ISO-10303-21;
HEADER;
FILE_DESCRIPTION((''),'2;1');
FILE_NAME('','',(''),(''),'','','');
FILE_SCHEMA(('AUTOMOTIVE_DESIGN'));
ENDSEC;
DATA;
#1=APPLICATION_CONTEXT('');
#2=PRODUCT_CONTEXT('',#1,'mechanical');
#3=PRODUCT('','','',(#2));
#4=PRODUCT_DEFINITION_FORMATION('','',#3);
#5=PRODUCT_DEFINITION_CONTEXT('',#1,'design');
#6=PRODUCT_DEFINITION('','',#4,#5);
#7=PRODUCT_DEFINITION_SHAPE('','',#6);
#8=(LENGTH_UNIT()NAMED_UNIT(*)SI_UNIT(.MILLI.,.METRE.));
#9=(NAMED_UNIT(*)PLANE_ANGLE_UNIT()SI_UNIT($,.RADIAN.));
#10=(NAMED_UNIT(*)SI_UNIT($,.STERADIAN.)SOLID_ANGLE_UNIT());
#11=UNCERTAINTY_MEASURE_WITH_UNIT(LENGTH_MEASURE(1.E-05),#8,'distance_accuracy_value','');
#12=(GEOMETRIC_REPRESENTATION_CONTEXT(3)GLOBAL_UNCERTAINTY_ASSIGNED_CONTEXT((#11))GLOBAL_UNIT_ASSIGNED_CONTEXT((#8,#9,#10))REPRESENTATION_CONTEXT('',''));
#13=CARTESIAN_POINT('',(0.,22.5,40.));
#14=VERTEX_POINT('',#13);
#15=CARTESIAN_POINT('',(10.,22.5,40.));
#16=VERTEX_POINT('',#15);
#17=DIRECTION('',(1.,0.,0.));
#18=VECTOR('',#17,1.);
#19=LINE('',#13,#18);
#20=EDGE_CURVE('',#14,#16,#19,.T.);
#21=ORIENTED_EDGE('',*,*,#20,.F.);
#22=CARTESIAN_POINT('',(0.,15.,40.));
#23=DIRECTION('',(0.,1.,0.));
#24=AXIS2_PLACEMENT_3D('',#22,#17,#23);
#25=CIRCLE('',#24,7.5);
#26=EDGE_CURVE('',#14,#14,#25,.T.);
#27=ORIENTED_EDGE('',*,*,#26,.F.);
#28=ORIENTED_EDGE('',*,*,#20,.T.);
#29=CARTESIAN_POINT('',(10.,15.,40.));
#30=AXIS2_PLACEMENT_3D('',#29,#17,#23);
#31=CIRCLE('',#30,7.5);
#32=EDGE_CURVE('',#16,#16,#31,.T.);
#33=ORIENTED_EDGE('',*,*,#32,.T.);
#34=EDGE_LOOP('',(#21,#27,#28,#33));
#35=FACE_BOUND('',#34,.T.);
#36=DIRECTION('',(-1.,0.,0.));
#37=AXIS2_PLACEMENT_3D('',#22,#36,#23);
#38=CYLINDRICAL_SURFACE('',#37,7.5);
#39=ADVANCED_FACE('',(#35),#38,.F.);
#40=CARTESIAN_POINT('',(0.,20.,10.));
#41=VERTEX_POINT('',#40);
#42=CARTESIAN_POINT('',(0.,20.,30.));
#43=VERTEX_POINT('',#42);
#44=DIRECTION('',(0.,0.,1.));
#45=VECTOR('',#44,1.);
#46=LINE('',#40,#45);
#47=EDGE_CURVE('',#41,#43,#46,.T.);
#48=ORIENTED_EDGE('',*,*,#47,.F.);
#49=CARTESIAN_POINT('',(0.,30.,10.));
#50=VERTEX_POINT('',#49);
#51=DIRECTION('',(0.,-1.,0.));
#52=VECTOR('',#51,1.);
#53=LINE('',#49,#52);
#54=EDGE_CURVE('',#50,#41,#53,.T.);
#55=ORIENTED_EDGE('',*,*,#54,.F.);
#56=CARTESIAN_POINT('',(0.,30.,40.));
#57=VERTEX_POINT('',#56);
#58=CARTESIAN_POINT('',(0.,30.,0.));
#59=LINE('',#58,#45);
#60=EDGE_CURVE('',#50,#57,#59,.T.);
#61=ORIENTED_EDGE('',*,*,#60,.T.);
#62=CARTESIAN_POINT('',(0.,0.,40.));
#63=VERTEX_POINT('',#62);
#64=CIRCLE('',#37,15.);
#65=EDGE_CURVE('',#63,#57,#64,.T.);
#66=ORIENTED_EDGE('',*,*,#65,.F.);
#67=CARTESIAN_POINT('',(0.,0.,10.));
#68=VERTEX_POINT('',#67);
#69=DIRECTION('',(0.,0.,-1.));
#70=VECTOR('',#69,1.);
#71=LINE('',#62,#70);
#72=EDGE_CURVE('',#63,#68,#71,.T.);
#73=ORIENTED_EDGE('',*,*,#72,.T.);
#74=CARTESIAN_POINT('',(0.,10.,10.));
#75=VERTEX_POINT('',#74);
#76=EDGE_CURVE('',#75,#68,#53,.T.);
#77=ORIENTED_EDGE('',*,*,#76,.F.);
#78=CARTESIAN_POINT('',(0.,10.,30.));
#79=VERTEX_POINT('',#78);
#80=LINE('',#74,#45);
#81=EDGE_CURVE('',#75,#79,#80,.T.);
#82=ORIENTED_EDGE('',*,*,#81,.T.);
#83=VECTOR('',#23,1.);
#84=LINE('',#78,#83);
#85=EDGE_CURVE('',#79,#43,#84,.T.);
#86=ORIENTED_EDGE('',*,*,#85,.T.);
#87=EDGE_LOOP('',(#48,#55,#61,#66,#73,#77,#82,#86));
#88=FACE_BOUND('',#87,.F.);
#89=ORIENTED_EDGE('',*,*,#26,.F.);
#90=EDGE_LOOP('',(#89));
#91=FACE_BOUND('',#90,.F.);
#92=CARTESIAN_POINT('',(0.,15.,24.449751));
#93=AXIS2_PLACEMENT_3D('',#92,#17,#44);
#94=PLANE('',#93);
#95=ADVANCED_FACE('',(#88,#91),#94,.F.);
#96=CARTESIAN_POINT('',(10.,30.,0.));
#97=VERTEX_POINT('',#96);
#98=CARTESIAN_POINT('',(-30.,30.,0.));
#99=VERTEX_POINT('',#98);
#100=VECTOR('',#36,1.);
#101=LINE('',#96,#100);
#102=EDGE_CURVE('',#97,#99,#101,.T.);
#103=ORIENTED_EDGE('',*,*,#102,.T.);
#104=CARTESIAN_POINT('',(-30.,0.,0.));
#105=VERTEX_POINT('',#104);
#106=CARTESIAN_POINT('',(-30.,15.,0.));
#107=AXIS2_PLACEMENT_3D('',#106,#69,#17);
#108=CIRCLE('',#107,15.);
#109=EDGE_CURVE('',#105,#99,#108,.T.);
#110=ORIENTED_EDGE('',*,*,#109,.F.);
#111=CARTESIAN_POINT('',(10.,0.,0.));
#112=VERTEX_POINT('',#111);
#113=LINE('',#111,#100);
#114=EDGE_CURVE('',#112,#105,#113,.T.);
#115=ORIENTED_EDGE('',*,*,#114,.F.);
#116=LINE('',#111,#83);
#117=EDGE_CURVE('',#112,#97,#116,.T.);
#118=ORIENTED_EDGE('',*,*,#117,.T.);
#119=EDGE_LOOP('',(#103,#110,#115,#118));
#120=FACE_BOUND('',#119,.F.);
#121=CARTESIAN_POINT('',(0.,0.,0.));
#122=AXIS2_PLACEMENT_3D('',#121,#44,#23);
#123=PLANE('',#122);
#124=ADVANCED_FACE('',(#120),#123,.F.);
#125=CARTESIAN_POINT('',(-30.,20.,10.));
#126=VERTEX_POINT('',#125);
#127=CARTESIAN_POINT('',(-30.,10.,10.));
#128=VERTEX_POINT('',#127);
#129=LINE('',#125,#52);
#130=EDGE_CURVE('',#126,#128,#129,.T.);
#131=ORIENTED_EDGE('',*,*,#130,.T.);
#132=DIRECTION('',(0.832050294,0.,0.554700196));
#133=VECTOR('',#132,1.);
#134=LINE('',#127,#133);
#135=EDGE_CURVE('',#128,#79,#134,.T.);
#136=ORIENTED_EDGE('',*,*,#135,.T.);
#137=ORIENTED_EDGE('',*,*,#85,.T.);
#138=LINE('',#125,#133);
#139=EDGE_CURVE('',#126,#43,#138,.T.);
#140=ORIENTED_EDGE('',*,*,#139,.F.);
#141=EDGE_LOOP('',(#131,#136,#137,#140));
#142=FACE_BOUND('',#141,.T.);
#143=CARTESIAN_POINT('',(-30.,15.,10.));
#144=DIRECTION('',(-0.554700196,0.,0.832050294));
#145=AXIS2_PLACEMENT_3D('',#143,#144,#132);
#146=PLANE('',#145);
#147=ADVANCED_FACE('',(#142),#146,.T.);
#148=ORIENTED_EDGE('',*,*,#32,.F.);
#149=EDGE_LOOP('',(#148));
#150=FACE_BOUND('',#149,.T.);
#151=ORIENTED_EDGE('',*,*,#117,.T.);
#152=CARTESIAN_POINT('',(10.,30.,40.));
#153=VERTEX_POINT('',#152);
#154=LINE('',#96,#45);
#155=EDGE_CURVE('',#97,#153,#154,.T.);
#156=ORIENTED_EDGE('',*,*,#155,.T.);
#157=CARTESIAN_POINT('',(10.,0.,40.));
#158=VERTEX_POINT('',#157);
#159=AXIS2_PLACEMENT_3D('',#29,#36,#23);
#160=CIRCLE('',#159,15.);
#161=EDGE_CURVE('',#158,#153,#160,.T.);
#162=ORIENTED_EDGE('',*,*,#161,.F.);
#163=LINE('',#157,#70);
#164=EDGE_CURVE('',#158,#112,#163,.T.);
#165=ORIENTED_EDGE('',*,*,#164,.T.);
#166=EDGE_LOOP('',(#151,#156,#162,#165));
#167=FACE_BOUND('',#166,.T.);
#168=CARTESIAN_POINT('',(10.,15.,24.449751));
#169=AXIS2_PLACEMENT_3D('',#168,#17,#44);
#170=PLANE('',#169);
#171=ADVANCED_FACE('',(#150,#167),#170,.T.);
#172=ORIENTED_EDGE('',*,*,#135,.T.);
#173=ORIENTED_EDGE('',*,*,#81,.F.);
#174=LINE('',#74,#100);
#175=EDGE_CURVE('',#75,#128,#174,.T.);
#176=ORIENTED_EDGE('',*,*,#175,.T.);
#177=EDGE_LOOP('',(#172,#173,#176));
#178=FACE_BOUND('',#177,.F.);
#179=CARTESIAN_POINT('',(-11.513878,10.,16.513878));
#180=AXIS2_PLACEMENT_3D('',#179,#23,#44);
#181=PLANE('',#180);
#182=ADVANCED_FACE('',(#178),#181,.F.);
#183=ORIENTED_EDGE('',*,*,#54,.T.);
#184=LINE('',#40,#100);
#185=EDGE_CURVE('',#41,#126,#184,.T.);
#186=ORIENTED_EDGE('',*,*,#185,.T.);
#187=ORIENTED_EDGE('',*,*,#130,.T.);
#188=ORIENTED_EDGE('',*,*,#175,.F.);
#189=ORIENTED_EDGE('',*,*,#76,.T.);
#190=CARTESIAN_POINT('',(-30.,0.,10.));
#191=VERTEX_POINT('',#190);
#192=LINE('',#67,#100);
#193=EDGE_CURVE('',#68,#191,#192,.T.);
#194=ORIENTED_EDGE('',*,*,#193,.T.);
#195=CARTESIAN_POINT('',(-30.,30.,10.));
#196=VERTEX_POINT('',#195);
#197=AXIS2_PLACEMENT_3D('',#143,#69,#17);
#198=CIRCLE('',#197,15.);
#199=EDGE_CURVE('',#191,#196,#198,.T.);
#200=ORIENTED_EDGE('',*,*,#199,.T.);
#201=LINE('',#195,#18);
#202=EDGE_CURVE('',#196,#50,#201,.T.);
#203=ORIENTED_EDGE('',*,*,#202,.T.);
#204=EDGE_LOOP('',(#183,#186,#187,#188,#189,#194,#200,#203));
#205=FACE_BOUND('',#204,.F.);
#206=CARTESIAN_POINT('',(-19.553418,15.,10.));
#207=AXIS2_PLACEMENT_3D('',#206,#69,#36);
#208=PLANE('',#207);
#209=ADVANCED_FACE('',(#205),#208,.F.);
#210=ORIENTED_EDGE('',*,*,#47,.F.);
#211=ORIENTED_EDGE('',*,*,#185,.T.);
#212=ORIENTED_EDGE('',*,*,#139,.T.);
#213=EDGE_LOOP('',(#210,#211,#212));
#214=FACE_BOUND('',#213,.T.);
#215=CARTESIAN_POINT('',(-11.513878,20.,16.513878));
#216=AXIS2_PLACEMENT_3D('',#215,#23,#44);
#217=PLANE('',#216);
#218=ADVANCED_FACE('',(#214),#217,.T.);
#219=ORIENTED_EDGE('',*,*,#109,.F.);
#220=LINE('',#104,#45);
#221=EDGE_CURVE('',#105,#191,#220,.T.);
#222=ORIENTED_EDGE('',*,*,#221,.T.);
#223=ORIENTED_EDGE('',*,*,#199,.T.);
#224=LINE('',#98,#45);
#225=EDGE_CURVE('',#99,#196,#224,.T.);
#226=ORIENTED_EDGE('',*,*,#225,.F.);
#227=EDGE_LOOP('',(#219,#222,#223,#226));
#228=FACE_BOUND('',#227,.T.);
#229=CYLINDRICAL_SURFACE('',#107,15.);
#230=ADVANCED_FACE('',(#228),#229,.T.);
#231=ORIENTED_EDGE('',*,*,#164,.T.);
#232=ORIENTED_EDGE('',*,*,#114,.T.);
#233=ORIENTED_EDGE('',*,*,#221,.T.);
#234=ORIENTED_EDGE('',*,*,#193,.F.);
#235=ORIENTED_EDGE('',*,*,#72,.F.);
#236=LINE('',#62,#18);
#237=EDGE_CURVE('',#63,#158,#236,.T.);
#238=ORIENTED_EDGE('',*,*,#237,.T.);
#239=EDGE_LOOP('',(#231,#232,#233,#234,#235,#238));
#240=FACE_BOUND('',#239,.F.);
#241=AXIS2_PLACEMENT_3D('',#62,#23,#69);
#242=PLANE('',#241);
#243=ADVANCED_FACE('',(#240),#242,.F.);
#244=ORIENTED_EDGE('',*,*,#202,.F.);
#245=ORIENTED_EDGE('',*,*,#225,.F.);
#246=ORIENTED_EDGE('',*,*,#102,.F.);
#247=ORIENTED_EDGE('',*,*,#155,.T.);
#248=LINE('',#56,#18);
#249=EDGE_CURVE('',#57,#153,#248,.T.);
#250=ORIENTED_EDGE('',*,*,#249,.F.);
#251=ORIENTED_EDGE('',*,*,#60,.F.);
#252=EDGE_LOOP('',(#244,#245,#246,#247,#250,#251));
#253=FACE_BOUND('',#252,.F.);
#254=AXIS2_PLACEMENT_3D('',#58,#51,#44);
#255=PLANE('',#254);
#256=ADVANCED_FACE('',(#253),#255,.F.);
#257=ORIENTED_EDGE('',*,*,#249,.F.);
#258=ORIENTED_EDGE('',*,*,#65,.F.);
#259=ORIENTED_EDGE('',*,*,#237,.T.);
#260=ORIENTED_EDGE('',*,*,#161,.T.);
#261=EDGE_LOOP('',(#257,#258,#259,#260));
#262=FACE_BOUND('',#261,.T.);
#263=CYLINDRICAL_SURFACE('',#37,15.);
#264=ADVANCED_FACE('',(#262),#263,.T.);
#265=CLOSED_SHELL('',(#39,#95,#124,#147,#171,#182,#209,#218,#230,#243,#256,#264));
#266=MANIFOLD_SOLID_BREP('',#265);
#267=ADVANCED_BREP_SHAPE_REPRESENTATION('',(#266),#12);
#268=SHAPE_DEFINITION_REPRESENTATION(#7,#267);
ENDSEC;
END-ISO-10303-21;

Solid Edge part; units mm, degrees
sketch "Sketch1" plane through (0, 0, 0) normal (1, 0, 0) x (0, 1, 0)
  line L0 (30, 0) -> (30, 40)
  line L1 (0, 0) -> (30, 0)
  line L2 (0, 40) -> (0, 0)
  arc A0 (0, 40) -> (30, 40) centre (15, 40) cw
extrude "Protrusion1" add sketch "Sketch1" along normal blind 10
sketch "Sketch2" plane through (0, 0, 0) normal (1, 0, 0) x (0, 1, 0)
  circle A0 centre (15, 40) radius 7.5
extrude "ExtrudedCutout_1" cut sketch "Sketch2" along normal blind 10
sketch "Sketch3" plane through (0, 0, 0) normal (0, 0, 1) x (1, 0, 0)
  line L0 (-30, 30) -> (0, 30)
  line L1 (0, 30) -> (0, 0)
  line L2 (0, 0) -> (-30, 0)
  arc A0 (-30, 0) -> (-30, 30) centre (-30, 15) cw
extrude "ExtrudedProtrusion_2" add sketch "Sketch3" along normal blind 10
sketch "Sketch4" plane through (0, 15, 0) normal (0, -1, 0) x (1, 0, 0)
  line L0 (-30, 10) -> (0, 30)
  line L1 (0, 10) -> (0, 30)
  line L2 (0, 10) -> (-30, 10)
extrude "ExtrudedProtrusion_3" add sketch "Sketch4" along normal mid plane 10
